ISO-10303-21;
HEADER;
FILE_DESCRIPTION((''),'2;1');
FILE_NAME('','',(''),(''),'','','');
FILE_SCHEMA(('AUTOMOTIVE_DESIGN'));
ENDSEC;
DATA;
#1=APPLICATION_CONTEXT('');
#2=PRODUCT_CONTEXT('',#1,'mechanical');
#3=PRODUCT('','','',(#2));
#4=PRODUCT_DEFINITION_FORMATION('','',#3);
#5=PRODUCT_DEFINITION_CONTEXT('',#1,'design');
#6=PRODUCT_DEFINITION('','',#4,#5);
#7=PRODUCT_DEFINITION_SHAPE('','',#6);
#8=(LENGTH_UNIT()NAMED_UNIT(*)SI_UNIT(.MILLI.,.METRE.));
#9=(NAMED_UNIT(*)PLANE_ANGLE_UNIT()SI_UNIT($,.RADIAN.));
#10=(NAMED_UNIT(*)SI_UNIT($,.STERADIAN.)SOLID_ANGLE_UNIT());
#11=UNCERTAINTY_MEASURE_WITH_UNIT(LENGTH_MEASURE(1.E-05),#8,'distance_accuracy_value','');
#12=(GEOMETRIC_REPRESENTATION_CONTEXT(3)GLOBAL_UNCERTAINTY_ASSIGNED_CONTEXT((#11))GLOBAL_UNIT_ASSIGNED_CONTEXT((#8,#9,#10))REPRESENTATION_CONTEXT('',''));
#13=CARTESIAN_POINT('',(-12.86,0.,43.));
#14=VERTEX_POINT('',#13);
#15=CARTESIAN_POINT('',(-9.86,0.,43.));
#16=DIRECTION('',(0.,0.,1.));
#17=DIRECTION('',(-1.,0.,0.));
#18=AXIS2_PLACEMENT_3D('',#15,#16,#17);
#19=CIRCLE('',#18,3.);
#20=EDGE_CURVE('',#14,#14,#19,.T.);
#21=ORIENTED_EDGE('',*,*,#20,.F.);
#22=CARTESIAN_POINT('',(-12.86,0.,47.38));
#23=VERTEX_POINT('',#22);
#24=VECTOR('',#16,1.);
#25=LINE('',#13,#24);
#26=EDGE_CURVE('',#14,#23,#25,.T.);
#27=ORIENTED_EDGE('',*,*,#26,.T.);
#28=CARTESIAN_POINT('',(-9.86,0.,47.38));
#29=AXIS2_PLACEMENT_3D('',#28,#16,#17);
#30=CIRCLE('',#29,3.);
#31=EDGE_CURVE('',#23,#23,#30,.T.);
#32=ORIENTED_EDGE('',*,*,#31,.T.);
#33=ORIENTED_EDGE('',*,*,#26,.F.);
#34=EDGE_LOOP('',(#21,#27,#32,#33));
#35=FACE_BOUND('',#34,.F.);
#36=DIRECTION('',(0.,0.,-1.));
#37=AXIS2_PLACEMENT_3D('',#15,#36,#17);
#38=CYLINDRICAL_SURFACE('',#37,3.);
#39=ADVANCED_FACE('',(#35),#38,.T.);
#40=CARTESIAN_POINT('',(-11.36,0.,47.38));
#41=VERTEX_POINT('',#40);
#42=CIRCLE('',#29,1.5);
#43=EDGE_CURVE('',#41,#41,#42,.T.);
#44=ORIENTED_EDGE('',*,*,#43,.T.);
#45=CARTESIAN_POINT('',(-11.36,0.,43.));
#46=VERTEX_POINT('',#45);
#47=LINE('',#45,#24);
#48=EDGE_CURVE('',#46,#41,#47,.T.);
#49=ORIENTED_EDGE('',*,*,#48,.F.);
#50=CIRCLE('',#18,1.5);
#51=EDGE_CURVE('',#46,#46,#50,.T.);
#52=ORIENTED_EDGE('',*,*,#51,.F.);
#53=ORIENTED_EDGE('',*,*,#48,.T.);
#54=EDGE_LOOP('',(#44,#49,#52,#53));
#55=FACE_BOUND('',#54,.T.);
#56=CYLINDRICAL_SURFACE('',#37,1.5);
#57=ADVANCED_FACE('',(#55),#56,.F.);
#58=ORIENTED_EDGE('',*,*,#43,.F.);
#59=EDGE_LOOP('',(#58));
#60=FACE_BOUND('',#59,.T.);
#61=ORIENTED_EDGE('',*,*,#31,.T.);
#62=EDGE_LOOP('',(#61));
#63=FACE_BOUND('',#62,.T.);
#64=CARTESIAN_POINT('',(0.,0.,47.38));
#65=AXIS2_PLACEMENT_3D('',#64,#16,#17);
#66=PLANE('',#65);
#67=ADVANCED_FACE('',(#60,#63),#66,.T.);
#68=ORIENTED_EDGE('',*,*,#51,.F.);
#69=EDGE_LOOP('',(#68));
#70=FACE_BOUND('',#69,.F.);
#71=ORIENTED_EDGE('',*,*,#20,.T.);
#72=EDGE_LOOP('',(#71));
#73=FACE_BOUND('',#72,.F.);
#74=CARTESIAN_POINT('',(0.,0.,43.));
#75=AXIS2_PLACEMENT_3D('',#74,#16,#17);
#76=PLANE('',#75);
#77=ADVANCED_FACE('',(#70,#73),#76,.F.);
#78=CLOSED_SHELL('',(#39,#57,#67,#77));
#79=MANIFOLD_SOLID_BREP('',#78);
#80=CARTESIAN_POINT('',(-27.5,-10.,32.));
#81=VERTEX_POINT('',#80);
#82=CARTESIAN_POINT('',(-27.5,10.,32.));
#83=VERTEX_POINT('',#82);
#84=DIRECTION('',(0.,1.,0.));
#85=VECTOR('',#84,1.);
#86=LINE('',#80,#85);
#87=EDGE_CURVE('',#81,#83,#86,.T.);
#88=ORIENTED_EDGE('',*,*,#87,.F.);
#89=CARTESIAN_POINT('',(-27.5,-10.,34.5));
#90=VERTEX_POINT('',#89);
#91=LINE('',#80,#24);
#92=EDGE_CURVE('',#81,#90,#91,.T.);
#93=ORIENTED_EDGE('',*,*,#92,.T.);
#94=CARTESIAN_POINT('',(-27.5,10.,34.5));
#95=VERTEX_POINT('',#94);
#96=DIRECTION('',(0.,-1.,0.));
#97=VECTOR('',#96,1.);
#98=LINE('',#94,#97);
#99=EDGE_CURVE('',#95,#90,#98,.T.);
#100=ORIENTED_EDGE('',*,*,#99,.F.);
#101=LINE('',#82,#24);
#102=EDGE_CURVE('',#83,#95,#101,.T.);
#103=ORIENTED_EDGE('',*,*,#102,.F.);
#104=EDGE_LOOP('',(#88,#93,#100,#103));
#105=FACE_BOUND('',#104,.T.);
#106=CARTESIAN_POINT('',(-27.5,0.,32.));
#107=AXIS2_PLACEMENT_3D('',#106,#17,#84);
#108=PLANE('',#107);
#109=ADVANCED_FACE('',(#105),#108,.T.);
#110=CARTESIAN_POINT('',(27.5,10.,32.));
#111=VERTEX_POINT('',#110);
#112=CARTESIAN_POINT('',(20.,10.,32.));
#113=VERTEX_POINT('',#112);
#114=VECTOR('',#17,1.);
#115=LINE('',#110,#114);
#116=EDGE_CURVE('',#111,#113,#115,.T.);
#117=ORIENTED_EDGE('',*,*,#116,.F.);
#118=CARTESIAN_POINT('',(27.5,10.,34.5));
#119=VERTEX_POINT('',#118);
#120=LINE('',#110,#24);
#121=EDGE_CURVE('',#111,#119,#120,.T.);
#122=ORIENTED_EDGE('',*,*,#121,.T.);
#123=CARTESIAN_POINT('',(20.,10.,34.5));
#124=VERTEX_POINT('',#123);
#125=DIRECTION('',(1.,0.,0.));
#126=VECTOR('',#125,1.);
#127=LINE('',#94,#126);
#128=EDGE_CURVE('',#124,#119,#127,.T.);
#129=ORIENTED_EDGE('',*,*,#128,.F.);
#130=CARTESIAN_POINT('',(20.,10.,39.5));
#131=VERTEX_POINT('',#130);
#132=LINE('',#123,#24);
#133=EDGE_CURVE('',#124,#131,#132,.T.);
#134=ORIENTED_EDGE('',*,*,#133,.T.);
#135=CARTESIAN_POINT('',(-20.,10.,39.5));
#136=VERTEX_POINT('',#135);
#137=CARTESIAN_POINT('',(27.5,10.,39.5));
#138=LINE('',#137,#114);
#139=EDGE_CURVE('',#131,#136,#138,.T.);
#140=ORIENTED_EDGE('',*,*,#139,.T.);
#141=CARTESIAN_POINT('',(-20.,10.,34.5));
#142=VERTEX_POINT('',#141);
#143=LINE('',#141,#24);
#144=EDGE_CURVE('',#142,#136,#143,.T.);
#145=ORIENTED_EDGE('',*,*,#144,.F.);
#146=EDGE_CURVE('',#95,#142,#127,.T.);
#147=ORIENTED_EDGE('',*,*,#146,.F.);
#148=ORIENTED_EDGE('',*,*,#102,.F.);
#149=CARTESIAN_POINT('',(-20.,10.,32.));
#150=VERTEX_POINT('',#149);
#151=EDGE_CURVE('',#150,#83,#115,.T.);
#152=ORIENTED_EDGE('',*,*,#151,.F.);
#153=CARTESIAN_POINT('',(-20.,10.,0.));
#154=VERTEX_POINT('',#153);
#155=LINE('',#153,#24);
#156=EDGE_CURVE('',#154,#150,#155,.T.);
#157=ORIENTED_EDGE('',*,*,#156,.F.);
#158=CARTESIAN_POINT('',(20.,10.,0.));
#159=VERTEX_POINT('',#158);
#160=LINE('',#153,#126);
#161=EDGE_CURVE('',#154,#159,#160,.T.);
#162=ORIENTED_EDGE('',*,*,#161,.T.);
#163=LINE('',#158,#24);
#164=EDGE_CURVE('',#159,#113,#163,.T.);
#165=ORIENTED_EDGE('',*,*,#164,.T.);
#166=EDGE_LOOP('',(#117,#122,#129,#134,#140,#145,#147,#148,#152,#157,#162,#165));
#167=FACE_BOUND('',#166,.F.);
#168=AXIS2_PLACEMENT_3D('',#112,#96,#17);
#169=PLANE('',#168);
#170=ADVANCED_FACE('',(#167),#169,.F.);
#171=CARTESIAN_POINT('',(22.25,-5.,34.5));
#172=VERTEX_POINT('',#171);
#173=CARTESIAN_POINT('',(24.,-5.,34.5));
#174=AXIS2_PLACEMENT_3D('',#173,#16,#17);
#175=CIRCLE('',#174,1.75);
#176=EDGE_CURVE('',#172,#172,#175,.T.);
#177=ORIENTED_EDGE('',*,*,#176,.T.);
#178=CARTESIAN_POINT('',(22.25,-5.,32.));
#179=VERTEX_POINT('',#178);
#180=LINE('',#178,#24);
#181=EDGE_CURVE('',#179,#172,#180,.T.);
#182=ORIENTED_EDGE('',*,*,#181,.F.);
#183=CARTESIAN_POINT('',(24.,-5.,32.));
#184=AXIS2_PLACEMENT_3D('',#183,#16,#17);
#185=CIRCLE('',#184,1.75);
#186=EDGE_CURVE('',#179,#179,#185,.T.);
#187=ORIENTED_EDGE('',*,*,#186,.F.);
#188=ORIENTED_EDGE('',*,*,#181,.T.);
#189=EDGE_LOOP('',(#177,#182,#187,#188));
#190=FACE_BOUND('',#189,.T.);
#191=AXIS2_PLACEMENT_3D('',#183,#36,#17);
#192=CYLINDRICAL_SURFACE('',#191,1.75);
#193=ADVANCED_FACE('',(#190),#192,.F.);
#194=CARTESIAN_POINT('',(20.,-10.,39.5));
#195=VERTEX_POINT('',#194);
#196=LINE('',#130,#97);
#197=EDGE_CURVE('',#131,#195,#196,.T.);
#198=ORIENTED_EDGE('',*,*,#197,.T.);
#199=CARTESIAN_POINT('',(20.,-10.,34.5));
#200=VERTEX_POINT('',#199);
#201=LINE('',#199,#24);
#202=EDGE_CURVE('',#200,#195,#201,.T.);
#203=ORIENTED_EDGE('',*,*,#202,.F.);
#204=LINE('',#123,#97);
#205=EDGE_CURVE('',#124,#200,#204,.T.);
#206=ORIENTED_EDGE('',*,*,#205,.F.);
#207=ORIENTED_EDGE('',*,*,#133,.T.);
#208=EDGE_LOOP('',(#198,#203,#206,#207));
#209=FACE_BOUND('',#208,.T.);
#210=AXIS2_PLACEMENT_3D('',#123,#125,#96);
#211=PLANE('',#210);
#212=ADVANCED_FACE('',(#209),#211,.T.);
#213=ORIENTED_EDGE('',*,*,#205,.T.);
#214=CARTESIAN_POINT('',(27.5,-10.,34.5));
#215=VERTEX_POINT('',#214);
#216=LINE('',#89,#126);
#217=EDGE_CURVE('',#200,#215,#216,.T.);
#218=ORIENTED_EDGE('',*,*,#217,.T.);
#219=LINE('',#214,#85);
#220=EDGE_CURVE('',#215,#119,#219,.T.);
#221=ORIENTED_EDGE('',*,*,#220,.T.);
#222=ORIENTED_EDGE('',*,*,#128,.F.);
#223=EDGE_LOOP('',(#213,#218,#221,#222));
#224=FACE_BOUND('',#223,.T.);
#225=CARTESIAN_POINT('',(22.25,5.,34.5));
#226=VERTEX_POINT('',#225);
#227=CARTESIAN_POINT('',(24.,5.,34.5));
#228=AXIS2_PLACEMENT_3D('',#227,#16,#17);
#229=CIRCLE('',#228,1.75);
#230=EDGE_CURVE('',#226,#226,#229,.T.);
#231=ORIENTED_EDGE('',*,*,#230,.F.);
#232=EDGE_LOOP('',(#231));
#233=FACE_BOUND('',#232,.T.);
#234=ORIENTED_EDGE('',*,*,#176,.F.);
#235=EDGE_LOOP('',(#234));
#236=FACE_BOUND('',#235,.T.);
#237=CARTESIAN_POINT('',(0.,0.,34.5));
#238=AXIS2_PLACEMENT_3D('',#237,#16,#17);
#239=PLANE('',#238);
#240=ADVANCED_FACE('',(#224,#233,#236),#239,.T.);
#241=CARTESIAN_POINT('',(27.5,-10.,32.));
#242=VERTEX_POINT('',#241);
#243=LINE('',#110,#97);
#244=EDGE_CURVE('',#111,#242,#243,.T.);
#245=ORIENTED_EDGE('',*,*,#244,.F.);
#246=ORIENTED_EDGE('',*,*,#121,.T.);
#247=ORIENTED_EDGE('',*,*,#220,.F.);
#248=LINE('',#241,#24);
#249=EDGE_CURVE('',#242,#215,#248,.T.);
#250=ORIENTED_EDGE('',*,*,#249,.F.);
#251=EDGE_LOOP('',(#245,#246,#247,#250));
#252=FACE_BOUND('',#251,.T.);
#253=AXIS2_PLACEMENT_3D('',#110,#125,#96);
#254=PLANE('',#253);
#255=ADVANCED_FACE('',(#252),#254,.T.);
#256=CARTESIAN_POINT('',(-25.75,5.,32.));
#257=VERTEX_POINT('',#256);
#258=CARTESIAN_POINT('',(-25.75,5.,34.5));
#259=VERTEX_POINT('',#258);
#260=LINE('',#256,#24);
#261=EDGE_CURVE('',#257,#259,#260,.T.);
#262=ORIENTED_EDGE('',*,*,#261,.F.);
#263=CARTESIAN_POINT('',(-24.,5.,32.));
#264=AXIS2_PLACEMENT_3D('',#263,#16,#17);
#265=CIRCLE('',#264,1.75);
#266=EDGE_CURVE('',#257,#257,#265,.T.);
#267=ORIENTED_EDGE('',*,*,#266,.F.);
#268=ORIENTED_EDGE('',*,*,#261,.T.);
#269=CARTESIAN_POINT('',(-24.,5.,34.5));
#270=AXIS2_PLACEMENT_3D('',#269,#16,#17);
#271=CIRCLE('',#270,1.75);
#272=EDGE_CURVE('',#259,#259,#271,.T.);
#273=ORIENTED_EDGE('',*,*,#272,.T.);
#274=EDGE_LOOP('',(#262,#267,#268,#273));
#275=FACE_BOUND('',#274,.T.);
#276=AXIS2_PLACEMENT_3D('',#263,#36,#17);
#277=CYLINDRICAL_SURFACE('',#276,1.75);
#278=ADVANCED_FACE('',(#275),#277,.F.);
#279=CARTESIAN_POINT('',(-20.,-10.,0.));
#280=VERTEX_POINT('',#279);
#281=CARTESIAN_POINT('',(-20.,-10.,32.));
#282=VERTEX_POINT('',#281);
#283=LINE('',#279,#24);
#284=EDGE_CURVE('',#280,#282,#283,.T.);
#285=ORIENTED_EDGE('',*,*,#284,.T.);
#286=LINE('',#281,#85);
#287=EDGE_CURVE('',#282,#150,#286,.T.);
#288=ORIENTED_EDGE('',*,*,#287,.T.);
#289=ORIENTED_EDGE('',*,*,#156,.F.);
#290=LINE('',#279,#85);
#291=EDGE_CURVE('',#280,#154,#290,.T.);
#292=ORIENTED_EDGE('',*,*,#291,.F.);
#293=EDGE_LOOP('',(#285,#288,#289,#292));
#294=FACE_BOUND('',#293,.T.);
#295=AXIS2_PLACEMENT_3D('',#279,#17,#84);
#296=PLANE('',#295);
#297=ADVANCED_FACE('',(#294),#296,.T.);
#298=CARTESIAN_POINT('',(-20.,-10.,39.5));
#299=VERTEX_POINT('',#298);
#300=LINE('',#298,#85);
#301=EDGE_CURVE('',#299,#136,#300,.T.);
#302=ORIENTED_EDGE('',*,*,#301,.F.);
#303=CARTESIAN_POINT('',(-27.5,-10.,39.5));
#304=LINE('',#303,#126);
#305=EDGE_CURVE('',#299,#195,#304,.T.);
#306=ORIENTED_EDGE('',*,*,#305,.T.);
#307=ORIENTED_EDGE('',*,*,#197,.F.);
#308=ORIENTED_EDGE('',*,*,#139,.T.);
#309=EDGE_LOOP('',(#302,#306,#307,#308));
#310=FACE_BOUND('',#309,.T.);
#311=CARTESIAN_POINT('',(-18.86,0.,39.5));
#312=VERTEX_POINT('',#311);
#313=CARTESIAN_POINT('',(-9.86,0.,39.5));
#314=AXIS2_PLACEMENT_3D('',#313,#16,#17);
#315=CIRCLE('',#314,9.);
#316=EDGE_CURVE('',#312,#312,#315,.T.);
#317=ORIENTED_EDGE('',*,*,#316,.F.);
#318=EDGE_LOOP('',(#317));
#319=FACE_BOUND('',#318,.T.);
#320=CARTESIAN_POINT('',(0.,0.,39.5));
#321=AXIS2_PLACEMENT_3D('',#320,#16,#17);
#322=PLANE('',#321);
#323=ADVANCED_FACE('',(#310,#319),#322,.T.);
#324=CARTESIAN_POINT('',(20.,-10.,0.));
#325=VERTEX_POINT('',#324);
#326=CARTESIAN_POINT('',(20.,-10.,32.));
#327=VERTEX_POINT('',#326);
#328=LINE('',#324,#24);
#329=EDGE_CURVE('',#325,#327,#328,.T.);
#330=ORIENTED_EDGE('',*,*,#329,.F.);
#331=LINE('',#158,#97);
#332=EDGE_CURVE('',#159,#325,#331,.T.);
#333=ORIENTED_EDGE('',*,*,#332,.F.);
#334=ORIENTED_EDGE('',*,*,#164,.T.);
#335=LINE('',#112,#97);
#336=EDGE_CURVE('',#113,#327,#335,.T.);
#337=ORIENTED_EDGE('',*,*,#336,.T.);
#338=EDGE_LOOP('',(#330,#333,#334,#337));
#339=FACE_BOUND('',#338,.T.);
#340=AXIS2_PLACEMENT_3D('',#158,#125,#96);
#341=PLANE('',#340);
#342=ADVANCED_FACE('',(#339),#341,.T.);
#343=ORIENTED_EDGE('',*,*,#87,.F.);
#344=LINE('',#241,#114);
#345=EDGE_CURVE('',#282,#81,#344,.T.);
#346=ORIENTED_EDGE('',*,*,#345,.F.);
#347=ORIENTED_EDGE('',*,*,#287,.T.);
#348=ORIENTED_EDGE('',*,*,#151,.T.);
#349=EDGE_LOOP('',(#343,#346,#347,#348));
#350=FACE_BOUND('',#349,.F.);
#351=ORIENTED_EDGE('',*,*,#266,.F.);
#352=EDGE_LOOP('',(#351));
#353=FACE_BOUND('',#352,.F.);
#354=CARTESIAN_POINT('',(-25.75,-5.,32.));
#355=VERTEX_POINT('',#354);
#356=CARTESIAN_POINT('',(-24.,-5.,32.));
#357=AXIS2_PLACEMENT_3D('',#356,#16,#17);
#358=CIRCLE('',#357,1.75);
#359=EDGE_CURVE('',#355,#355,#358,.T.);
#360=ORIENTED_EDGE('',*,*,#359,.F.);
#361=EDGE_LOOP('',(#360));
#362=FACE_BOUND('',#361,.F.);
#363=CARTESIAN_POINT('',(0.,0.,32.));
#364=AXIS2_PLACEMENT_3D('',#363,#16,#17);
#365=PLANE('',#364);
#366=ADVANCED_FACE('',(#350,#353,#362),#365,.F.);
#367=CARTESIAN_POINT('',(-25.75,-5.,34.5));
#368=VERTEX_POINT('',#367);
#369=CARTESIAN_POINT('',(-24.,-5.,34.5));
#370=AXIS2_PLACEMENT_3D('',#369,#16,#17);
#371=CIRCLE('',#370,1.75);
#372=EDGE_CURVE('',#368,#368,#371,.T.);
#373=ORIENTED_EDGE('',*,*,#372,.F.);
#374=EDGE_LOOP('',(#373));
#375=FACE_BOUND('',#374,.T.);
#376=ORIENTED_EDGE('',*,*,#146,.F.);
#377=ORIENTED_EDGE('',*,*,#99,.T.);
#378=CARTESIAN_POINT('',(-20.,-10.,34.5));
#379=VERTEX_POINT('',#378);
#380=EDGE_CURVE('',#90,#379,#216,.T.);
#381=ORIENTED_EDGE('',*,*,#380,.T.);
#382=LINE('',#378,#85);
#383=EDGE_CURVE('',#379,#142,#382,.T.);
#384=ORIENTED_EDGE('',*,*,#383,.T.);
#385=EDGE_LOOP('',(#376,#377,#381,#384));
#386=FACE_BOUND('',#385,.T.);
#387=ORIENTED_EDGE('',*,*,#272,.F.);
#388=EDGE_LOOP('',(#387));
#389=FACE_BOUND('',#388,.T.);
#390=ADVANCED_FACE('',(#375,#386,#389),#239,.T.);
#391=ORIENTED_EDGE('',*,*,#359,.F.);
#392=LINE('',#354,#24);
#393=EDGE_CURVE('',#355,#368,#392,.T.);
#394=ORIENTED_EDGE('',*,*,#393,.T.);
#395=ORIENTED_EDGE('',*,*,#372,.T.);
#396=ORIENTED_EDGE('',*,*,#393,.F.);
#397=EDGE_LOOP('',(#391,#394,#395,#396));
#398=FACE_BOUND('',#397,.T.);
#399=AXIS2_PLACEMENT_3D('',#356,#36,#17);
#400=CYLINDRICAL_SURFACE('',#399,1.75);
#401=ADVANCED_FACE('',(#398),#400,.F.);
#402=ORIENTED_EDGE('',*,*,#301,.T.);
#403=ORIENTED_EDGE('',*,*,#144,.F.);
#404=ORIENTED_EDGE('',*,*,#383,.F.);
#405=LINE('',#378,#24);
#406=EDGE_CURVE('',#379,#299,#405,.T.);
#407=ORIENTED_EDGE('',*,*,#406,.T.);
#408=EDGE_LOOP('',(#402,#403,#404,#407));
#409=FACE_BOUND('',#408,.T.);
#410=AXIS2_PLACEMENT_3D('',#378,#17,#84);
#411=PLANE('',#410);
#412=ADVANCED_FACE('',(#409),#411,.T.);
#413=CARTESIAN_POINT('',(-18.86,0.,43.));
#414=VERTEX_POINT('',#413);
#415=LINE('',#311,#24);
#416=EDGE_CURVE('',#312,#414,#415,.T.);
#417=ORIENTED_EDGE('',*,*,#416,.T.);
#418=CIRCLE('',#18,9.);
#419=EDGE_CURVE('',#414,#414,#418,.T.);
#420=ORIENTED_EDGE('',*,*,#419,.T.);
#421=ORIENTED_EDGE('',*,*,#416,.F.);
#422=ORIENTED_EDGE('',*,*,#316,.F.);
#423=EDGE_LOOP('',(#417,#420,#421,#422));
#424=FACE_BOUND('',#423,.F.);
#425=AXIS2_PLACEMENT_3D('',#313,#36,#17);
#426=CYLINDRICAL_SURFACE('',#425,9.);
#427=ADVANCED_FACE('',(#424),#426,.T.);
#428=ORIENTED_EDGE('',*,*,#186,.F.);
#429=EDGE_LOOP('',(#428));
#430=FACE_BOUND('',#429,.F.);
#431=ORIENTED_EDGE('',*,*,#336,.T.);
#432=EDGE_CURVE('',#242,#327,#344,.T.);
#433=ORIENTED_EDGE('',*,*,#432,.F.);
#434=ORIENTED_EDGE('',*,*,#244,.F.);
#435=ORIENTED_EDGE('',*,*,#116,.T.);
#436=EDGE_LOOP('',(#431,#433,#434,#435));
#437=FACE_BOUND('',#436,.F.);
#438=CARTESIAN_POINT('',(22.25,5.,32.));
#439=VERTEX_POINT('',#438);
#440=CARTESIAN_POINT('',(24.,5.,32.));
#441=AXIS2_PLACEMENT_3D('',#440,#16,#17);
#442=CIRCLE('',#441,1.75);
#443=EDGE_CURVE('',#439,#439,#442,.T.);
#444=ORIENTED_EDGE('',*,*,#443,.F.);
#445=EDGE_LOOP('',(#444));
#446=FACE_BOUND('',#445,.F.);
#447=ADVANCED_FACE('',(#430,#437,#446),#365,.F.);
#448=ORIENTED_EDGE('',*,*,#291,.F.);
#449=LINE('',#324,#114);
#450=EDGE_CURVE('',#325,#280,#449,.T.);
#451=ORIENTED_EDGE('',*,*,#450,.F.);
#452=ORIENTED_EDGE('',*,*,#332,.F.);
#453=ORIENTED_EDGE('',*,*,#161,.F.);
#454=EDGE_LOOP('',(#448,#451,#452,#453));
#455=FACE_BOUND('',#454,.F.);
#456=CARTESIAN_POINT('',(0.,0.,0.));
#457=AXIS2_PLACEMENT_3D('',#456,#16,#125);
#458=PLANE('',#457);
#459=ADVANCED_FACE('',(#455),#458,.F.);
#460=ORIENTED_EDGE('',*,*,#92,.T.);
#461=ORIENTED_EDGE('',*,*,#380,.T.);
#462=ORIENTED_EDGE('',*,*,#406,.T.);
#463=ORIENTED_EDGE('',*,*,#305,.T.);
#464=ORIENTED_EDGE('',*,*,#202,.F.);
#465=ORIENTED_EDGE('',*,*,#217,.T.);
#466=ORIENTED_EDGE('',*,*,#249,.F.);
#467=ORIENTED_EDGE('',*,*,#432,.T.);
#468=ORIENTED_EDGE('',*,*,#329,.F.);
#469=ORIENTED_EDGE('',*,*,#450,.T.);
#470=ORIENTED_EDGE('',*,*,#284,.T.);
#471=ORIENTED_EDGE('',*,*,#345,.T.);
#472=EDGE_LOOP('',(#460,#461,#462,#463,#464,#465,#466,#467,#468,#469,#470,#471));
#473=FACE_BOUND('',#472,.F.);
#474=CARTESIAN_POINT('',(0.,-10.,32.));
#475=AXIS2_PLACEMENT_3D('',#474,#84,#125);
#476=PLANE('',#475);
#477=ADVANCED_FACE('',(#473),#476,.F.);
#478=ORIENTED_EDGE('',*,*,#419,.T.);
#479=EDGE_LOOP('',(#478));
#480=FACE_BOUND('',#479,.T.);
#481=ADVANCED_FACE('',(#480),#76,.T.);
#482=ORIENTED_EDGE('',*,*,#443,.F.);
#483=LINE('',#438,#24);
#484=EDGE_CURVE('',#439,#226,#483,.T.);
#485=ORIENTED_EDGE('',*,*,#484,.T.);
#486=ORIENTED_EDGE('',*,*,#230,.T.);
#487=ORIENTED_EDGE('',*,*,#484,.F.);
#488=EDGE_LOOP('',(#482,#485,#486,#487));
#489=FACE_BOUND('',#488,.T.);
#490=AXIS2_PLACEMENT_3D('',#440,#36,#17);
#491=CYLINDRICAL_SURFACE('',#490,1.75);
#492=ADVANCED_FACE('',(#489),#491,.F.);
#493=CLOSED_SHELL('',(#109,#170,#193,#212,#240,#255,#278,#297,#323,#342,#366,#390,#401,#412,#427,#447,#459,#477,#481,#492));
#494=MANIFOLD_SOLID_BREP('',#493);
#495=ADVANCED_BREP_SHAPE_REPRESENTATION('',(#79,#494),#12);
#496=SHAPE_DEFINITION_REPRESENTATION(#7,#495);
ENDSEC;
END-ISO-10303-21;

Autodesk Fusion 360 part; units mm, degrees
sketch "草图1" plane through (0, 0, 0) normal (0, 0, 1) x (1, 0, 0)
  line L0 (20, -10) -> (-20, -10)
  line L1 (-20, -10) -> (-20, 10)
  line L2 (-20, 10) -> (20, 10)
  line L3 (20, 10) -> (20, -10)
  line L4 (20, -10) -> (-20, 10) construction
  line L5 (-20, -10) -> (20, 10) construction
  dimension "d1" = 20
  dimension "d2" = 40
extrude "拉伸1" add sketch "草图1" along normal blind 32 makes body 1
sketch "草图2" plane through (0, 0, 32) normal (0, 0, 1) x (-1, 0, 0)
  line L0 (-20, -10) -> (20, -10)
  line L1 (20, -10) -> (20, 10)
  line L2 (20, 10) -> (-20, 10)
  line L3 (-20, 10) -> (-20, -10)
  line L4 (-27.5, 10) -> (27.5, 10)
  line L5 (27.5, 10) -> (27.5, -10)
  line L6 (27.5, -10) -> (-27.5, -10)
  line L7 (-27.5, -10) -> (-27.5, 10)
  line L8 (-27.5, 10) -> (27.5, -10) construction
  line L9 (27.5, 10) -> (-27.5, -10) construction
  line L10 (34, 0) -> (-45, 0)
  line L11 (0, -20) -> (0, 28)
  circle A0 centre (24, -5) radius 1.75
  circle A1 centre (-24, -5) radius 1.75
  circle A2 centre (24, 5) radius 1.75
  circle A3 centre (-24, 5) radius 1.75
  dimension "d5" = 20
  dimension "d6" = 55
  dimension "d7" = 3.5
  dimension "d8" = 48
  dimension "d9" = 10
extrude "拉伸2" add sketch "草图2" along normal blind 2.5 bodies 1
sketch "草图4" plane through (0, 0, 34.5) normal (0, 0, 1) x (-1, 0, 0)
  circle A0 centre (24, 5) radius 1.75
  circle A1 centre (24, -5) radius 1.75
  circle A2 centre (-24, 5) radius 1.75
  circle A3 centre (-24, -5) radius 1.75
  line L0 (-27.5, -10) -> (27.5, -10)
  line L1 (27.5, -10) -> (27.5, 10)
  line L2 (27.5, 10) -> (-27.5, 10)
  line L3 (-27.5, 10) -> (-27.5, -10)
  line L4 (-20, 10) -> (20, 10)
  line L5 (20, 10) -> (20, -10)
  line L6 (20, -10) -> (-20, -10)
  line L7 (-20, -10) -> (-20, 10)
  line L8 (-20, 10) -> (20, -10) construction
  line L9 (20, 10) -> (-20, -10) construction
  dimension "d12" = 20
  dimension "d13" = 40
extrude "拉伸3" add sketch "草图4" along normal blind 5 contours L0 L2 L4 L5 L6 L7 bodies 1
sketch "草图5" plane through (0, 0, 39.5) normal (0, 0, 1) x (-1, 0, 0)
  line L0 (-20, -10) -> (20, -10)
  line L1 (20, -10) -> (20, 10)
  line L2 (20, 10) -> (-20, 10)
  line L3 (-20, 10) -> (-20, -10)
  line L4 (-20, -10) -> (-20, 10)
  line L5 (-20, 10) -> (-27.5, 10)
  line L6 (-27.5, 10) -> (-27.5, -10)
  line L7 (-27.5, -10) -> (-20, -10)
  circle A0 centre (-24, 5) radius 1.75
  circle A1 centre (-24, -5) radius 1.75
  line L8 (20, 10) -> (20, -10)
  line L9 (20, -10) -> (27.5, -10)
  line L10 (27.5, -10) -> (27.5, 10)
  line L11 (27.5, 10) -> (20, 10)
  circle A2 centre (24, -5) radius 1.75
  circle A3 centre (24, 5) radius 1.75
  circle A4 centre (9.86, 0) radius 9
  dimension "d16" = 33.86
  dimension "d17" = 18
extrude "拉伸4" add sketch "草图5" along normal blind 3.5 contours A4 bodies 1
sketch "草图6" plane through (0, 0, 43) normal (0, 0, 1) x (-1, 0, 0)
  circle A0 centre (9.86, 0) radius 9
  circle A1 centre (9.86, 0) radius 3
  circle A2 centre (9.86, 0) radius 1.5
  dimension "d20" = 6
  dimension "d21" = 3
extrude "拉伸5" add sketch "草图6" along normal blind 4.38 separate body contours A1 makes body 2
copy_body "实体->零部件1" bodies 1 removing the originals makes body 3 in component "Component'"
copy_body "实体->零部件2" bodies 2 removing the originals makes body 4 in component "Component''"
component "Component'" placed x (1, 0, 0) y (0, 1, 0) z (0, 0, 1) at (0, 0, 0)
component "Component''" placed x (1, 0, 0) y (0, 1, 0) z (0, 0, 1) at (0, 0, 0)
